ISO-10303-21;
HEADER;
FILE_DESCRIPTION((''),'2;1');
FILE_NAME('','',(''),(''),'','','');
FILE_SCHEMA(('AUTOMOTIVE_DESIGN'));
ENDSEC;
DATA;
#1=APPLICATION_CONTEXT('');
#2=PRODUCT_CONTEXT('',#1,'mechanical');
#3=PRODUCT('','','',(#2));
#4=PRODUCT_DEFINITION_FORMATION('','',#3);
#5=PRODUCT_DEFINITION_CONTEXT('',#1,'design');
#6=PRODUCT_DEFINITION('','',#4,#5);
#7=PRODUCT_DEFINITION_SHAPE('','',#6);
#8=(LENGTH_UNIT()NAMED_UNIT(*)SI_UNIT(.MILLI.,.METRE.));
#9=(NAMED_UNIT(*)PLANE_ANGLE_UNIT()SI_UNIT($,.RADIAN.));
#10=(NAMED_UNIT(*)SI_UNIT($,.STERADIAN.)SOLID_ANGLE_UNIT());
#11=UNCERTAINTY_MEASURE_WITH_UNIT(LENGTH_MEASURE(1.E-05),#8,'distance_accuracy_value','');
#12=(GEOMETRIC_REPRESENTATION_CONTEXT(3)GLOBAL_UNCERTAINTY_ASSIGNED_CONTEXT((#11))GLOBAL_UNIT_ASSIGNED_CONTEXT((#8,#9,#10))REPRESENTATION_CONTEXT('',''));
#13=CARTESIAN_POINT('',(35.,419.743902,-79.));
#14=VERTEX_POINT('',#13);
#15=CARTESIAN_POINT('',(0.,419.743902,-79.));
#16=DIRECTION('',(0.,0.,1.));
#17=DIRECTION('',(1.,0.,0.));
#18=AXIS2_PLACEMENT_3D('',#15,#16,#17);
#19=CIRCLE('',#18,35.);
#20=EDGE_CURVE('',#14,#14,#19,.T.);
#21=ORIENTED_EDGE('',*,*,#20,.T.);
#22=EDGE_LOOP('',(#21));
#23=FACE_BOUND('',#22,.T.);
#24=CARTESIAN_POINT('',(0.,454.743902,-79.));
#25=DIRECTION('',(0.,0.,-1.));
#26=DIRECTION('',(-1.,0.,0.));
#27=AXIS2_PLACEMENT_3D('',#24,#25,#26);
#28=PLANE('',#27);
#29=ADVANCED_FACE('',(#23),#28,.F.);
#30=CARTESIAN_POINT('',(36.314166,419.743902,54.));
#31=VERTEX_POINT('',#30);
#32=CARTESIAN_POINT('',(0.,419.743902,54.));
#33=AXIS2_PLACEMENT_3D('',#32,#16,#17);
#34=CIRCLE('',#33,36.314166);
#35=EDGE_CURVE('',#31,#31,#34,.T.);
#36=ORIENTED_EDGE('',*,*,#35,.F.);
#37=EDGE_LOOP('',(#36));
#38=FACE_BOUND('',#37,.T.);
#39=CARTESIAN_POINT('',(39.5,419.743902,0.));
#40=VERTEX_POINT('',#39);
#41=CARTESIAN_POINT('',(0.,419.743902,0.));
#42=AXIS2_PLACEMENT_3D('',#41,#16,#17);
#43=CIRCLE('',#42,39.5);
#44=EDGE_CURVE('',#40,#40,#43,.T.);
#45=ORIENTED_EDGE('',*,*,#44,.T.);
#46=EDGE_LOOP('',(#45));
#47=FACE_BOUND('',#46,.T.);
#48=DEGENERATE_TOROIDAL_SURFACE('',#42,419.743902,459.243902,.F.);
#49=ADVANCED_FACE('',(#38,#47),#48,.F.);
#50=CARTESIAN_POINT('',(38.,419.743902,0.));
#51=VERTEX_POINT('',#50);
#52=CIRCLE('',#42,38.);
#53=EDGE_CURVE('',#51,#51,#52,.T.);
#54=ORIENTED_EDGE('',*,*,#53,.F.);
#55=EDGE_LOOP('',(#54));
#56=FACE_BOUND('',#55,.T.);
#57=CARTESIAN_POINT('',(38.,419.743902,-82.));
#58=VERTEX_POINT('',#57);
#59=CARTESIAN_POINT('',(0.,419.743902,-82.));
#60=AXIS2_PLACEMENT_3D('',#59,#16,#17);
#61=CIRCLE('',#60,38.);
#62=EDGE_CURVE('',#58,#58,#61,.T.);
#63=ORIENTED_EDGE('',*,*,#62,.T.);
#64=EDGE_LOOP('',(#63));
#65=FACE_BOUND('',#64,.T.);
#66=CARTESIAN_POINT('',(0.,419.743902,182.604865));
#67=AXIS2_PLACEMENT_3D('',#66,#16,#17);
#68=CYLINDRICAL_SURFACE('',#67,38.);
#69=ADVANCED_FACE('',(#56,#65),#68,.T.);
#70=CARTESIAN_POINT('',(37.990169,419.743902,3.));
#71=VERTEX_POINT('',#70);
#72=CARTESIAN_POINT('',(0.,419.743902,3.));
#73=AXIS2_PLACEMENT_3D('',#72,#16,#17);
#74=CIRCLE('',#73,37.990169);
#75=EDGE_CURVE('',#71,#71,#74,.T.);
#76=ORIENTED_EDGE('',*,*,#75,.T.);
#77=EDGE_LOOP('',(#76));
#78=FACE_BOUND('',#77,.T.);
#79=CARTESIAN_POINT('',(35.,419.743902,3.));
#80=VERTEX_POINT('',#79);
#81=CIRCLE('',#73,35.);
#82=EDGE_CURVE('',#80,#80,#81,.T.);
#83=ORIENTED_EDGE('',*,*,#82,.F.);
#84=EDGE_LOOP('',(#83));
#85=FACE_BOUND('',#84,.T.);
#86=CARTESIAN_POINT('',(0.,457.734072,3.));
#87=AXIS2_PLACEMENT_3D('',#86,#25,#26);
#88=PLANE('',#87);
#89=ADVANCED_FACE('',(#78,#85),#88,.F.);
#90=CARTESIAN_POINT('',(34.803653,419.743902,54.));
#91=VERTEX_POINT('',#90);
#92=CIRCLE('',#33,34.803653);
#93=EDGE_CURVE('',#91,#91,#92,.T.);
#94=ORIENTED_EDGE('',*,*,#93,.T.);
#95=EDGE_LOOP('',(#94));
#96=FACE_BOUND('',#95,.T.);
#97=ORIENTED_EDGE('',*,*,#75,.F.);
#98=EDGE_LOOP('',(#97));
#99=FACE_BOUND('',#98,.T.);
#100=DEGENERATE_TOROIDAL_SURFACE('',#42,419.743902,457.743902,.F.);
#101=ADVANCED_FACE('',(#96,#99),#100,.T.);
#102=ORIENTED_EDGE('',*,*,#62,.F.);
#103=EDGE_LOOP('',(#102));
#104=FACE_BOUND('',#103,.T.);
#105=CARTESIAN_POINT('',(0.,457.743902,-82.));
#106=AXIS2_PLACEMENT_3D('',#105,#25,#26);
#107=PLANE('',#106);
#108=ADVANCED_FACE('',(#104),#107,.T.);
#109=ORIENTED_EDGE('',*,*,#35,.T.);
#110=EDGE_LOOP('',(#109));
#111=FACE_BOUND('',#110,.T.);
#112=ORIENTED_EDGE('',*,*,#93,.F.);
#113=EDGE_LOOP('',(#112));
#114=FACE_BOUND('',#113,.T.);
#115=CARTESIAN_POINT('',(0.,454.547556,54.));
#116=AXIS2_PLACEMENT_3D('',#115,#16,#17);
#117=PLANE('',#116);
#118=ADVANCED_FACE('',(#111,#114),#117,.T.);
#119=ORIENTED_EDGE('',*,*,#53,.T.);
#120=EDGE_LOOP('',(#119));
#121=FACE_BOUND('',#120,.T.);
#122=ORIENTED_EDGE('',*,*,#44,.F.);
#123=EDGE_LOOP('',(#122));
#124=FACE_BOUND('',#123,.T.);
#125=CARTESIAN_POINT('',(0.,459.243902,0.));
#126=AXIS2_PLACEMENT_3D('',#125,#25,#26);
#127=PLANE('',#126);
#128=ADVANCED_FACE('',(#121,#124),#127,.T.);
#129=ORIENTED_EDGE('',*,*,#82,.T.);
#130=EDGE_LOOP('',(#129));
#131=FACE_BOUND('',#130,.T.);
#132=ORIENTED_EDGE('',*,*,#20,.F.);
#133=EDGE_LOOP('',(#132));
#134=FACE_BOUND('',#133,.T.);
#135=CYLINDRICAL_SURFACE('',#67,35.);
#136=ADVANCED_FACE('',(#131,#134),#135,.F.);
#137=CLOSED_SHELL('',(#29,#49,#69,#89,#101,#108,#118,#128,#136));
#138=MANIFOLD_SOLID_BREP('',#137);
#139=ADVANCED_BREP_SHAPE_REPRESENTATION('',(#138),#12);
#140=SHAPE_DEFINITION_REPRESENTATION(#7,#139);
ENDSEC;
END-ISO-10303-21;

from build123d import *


with BuildPart() as part:
    # Sketch1 → Revolve1 (revolve)
    with BuildSketch(Plane(origin=(0, 0, 0), x_dir=(0, 0, -1), z_dir=(1, 0, 0)), mode=Mode.PRIVATE) as revolve1_sk:
        with BuildLine():
            Line((0, 459.243902439), (0, 457.743902439))
            Line((0, 457.743902439), (82, 457.743902439))
            Line((82, 457.743902439), (82, 419.743902439))
            Line((82, 419.743902439), (79, 419.743902439))
            Line((79, 419.743902439), (79, 454.743902439))
            Line((79, 454.743902439), (-3, 454.743902439))
            Line((-3, 454.743902439), (-3, 457.734071509))
            ThreePointArc((-3, 457.734071509), (-28.544499839, 456.853030798), (-54, 454.54755551))
            Line((-54, 454.54755551), (-54, 456.058068592))
            ThreePointArc((-54, 456.058068592), (-27.046947782, 458.446752135), (0, 459.243902439))
        make_face()
    revolve(revolve1_sk.sketch.rotate(Axis((0, 419.743902439, 182.604864627), (0, 0, -1)), 90), axis=Axis((0, 419.743902439, 182.604864627), (0, 0, -1)))


solid = part.part
